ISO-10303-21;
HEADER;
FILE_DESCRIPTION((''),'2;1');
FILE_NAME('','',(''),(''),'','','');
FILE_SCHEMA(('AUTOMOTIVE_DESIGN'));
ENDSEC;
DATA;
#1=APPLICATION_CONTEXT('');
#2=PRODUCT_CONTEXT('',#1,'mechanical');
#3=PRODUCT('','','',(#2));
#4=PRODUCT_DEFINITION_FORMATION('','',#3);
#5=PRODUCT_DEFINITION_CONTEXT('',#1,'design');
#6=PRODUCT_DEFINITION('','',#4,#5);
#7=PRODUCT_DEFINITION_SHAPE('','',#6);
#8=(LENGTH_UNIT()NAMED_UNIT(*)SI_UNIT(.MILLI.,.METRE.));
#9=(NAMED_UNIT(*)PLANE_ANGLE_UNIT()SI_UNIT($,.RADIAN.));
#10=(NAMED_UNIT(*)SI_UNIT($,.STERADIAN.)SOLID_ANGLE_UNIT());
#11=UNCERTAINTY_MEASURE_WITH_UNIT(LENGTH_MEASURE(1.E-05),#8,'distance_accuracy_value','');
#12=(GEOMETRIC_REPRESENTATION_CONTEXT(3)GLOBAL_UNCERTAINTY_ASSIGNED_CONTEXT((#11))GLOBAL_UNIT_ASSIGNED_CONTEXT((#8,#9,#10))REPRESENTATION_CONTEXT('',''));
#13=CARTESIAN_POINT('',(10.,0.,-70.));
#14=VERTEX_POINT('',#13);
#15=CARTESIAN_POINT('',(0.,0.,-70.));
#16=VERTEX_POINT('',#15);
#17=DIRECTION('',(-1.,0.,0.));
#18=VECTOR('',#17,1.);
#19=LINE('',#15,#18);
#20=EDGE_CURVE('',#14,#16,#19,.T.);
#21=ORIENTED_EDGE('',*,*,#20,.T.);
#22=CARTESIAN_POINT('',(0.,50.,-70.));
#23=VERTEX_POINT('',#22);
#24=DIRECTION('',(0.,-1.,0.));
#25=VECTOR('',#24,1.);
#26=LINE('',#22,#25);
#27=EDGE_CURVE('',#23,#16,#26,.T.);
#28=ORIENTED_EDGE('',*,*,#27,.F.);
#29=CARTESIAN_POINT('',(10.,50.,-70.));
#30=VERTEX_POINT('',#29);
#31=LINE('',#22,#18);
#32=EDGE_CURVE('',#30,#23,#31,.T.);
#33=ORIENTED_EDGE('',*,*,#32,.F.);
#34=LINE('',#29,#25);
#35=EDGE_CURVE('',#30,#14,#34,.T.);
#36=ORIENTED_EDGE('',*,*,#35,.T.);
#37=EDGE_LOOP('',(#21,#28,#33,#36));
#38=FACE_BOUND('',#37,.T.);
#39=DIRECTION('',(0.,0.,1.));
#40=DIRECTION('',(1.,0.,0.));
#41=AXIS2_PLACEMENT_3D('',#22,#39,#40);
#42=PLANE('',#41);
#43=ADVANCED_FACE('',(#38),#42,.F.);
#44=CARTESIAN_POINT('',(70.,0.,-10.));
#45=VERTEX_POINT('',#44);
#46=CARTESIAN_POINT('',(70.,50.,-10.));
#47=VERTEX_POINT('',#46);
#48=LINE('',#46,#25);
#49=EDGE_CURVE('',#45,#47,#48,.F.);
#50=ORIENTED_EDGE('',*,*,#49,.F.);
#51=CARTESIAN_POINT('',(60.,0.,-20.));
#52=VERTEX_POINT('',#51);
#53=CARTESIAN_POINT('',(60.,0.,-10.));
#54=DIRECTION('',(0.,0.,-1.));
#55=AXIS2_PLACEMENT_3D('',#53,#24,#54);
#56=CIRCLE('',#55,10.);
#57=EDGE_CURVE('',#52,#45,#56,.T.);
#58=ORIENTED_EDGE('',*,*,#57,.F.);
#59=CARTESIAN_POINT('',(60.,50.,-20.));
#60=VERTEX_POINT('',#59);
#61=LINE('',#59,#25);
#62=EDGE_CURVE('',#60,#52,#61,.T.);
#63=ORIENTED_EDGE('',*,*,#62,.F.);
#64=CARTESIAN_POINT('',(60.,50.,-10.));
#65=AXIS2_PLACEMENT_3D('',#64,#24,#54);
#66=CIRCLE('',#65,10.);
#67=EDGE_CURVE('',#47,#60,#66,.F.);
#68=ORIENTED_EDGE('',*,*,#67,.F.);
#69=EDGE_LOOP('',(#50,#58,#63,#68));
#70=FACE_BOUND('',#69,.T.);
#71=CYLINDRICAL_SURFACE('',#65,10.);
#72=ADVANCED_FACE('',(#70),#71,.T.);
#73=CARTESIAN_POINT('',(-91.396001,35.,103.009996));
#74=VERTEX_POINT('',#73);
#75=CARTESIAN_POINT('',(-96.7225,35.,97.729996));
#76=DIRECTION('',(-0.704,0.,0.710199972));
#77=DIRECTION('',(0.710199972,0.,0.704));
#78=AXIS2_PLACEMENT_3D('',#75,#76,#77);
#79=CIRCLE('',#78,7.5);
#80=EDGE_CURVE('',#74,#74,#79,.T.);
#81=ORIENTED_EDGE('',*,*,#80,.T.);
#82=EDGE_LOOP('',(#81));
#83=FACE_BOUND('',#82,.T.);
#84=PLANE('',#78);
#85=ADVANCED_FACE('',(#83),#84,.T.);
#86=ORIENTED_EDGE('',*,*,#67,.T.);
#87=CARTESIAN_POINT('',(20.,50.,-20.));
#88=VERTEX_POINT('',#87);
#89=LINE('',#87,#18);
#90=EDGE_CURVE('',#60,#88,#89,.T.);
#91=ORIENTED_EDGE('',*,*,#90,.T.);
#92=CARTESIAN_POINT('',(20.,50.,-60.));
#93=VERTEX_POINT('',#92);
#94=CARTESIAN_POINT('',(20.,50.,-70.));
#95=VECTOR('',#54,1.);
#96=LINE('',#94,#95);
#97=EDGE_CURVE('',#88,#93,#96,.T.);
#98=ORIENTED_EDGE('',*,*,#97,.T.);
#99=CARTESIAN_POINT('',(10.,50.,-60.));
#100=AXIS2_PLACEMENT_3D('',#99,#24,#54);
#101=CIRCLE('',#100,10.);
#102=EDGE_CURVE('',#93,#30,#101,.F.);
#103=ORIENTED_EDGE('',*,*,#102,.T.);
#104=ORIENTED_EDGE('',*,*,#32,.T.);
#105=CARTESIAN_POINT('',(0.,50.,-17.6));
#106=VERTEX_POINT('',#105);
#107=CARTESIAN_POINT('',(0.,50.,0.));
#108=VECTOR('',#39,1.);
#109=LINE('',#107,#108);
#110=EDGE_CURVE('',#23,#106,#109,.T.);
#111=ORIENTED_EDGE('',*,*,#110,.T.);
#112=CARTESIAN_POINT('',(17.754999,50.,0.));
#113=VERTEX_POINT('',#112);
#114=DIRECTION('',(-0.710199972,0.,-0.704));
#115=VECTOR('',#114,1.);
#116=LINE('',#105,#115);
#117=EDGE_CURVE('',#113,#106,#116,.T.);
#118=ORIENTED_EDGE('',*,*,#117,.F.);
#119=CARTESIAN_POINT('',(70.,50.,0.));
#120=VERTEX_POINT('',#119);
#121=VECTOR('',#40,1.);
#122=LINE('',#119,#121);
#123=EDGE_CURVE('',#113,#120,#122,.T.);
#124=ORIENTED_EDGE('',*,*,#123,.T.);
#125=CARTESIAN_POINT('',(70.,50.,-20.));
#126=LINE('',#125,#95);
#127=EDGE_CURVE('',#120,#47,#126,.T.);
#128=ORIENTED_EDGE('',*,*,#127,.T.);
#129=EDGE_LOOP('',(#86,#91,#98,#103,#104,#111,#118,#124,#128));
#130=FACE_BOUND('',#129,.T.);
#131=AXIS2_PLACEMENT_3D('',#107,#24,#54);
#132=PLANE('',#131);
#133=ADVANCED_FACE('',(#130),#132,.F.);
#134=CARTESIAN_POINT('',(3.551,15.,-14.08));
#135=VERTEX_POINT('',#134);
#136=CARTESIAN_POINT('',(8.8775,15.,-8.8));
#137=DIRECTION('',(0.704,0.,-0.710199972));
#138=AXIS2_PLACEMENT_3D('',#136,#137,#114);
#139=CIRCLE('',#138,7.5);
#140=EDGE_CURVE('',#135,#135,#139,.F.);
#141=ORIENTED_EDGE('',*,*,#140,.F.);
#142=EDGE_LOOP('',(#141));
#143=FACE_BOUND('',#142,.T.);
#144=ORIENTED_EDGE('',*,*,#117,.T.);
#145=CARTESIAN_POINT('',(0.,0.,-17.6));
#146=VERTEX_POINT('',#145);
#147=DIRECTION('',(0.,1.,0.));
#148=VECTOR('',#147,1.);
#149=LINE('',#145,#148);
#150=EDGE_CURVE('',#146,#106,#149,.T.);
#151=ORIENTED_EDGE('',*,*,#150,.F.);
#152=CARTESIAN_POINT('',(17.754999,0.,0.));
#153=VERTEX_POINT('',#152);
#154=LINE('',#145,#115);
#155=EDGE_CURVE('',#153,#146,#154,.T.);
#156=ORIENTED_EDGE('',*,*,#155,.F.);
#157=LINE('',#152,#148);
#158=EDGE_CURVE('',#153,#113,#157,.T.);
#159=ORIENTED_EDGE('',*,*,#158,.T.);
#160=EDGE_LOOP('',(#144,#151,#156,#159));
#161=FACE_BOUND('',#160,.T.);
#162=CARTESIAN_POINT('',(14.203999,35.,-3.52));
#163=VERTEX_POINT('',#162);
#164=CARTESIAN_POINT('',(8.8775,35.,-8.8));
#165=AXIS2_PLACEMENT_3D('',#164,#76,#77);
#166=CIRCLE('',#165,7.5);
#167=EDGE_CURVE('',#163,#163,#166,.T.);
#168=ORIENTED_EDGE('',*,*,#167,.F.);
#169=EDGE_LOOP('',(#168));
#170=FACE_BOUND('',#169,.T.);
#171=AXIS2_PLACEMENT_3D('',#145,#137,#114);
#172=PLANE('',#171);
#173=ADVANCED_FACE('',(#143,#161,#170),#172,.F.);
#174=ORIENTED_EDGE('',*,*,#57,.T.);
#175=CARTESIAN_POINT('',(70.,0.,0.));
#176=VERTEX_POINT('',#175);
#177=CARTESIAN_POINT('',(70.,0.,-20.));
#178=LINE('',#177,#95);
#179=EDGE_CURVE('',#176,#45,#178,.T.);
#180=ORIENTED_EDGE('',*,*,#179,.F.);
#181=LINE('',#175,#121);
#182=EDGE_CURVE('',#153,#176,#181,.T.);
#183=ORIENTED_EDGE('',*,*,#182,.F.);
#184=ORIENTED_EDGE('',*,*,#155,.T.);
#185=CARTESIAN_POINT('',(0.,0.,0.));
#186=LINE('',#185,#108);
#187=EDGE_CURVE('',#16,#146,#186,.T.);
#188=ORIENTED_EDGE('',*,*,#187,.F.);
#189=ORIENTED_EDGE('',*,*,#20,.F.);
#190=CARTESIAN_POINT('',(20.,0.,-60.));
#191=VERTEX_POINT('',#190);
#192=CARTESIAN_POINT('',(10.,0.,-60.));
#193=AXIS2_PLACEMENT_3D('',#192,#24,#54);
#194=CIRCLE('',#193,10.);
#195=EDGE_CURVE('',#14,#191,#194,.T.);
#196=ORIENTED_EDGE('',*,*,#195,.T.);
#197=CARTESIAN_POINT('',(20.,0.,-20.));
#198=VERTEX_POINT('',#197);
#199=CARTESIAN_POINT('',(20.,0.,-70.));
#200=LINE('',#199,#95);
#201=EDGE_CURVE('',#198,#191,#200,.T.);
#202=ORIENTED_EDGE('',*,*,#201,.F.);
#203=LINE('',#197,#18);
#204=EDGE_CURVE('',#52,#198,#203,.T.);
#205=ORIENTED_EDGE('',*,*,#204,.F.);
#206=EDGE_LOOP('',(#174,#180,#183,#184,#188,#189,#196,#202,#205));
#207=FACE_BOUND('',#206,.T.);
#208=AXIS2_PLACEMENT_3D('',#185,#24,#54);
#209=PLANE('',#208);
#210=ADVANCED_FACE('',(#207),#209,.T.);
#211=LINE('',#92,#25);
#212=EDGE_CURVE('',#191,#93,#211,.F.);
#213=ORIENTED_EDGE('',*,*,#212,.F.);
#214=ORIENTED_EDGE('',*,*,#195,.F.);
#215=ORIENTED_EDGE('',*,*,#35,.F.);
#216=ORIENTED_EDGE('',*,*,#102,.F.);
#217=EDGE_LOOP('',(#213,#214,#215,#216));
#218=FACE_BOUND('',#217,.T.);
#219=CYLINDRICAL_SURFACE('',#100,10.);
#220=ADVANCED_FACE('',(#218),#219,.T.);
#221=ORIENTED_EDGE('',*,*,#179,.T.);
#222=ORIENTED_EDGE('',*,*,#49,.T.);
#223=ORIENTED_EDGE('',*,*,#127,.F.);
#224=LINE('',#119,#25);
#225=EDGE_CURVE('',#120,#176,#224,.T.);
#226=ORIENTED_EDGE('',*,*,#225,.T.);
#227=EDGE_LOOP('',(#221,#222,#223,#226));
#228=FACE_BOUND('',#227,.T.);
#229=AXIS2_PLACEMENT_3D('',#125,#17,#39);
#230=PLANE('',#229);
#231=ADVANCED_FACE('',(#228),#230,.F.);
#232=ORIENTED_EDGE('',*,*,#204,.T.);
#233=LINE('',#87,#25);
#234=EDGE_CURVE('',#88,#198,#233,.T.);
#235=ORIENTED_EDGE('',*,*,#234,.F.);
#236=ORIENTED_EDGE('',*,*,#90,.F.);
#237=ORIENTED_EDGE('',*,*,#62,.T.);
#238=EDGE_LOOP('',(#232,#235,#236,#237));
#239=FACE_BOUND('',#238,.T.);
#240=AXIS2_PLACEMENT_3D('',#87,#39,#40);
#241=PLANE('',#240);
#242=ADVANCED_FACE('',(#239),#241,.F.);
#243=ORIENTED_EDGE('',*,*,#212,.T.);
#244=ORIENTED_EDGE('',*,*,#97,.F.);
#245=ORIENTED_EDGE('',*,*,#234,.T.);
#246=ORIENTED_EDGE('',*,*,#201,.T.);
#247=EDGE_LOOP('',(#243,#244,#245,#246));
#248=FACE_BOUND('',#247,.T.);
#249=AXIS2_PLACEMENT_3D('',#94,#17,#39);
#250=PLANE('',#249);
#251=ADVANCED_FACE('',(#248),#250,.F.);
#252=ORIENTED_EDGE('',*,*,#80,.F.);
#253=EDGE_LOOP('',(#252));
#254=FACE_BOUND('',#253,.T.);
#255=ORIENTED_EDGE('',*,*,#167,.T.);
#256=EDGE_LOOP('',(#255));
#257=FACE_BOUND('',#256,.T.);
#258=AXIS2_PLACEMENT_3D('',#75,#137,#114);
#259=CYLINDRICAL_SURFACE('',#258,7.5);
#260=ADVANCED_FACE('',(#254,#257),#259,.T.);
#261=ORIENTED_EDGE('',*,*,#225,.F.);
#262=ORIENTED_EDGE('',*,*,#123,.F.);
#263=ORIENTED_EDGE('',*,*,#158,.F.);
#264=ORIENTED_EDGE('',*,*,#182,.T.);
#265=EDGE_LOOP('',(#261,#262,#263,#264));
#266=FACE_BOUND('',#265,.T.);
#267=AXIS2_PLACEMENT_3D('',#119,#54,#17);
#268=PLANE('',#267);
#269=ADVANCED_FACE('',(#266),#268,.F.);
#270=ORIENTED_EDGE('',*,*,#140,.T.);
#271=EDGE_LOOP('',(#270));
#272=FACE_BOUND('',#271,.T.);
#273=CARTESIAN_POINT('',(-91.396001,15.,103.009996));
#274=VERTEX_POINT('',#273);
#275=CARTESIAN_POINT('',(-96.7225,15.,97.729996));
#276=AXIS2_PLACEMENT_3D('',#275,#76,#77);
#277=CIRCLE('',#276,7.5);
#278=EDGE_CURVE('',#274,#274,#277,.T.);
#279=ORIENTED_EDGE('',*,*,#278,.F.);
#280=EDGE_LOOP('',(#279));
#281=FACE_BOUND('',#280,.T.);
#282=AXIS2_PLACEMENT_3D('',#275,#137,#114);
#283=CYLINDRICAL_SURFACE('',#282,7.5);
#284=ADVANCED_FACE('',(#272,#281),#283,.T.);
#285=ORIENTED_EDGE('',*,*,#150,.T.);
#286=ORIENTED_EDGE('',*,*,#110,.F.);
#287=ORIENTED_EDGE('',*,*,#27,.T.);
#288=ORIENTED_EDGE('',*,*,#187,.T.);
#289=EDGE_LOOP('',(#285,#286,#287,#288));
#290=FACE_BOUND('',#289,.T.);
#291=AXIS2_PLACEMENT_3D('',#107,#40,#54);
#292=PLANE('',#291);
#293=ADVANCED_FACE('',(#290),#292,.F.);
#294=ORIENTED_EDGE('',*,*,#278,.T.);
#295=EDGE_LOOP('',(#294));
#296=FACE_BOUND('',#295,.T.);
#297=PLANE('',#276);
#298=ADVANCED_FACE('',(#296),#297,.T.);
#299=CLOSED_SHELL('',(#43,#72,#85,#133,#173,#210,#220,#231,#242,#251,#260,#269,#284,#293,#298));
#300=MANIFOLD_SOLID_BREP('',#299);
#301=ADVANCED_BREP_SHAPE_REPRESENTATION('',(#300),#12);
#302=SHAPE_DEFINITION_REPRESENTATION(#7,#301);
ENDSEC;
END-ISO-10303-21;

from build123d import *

# Parameters (mm, degrees)
BOSS_EXTRUDE1_DEPTH = 50
CUT_EXTRUDE1_DEPTH  = 50
SKETCH3_R           = 7.5
BOSS_EXTRUDE2_DEPTH = 150
FILLET1_R           = 10


with BuildPart() as part:
    # Sketch1 → Boss-Extrude1 (new body)
    with BuildSketch(Plane(origin=(0, 0, 0), x_dir=(1, 0, 0), z_dir=(0, 1, 0))):
        Polygon((0, 0), (0, 70), (20, 70), (20, 20), (70, 20), (70, 0), align=None)
    extrude(amount=BOSS_EXTRUDE1_DEPTH)

    # Sketch2 → Cut-Extrude1 (cut)
    with BuildSketch(Plane(origin=(0, 50, 0), x_dir=(1, 0, 0), z_dir=(0, 1, 0))):
        Polygon((0, 17.6), (17.754999296, 0), (0, 0), align=None)
    extrude(amount=-CUT_EXTRUDE1_DEPTH, mode=Mode.SUBTRACT)

    # Sketch3 → Boss-Extrude2 (add)
    with BuildSketch(Plane(origin=(8.799661731, 0, -8.8771584), x_dir=(0.7101999718389179, 0, 0.7040000000000001), z_dir=(-0.7040000000000001, 0, 0.7101999718389179))):
        with Locations((0.1096, 35)):
            Circle(SKETCH3_R)
        with Locations(Location((0.1096, 15, 0), (0, 0, 180))):
            Circle(SKETCH3_R)
    extrude(amount=BOSS_EXTRUDE2_DEPTH)

    # Fillet1
    fillet1_edges = [part.edges().sort_by_distance(p)[0] for p in [
        (20, 25, -70),
        (70, 25, -20),
    ]]
    fillet(fillet1_edges, radius=FILLET1_R)


solid = part.part
